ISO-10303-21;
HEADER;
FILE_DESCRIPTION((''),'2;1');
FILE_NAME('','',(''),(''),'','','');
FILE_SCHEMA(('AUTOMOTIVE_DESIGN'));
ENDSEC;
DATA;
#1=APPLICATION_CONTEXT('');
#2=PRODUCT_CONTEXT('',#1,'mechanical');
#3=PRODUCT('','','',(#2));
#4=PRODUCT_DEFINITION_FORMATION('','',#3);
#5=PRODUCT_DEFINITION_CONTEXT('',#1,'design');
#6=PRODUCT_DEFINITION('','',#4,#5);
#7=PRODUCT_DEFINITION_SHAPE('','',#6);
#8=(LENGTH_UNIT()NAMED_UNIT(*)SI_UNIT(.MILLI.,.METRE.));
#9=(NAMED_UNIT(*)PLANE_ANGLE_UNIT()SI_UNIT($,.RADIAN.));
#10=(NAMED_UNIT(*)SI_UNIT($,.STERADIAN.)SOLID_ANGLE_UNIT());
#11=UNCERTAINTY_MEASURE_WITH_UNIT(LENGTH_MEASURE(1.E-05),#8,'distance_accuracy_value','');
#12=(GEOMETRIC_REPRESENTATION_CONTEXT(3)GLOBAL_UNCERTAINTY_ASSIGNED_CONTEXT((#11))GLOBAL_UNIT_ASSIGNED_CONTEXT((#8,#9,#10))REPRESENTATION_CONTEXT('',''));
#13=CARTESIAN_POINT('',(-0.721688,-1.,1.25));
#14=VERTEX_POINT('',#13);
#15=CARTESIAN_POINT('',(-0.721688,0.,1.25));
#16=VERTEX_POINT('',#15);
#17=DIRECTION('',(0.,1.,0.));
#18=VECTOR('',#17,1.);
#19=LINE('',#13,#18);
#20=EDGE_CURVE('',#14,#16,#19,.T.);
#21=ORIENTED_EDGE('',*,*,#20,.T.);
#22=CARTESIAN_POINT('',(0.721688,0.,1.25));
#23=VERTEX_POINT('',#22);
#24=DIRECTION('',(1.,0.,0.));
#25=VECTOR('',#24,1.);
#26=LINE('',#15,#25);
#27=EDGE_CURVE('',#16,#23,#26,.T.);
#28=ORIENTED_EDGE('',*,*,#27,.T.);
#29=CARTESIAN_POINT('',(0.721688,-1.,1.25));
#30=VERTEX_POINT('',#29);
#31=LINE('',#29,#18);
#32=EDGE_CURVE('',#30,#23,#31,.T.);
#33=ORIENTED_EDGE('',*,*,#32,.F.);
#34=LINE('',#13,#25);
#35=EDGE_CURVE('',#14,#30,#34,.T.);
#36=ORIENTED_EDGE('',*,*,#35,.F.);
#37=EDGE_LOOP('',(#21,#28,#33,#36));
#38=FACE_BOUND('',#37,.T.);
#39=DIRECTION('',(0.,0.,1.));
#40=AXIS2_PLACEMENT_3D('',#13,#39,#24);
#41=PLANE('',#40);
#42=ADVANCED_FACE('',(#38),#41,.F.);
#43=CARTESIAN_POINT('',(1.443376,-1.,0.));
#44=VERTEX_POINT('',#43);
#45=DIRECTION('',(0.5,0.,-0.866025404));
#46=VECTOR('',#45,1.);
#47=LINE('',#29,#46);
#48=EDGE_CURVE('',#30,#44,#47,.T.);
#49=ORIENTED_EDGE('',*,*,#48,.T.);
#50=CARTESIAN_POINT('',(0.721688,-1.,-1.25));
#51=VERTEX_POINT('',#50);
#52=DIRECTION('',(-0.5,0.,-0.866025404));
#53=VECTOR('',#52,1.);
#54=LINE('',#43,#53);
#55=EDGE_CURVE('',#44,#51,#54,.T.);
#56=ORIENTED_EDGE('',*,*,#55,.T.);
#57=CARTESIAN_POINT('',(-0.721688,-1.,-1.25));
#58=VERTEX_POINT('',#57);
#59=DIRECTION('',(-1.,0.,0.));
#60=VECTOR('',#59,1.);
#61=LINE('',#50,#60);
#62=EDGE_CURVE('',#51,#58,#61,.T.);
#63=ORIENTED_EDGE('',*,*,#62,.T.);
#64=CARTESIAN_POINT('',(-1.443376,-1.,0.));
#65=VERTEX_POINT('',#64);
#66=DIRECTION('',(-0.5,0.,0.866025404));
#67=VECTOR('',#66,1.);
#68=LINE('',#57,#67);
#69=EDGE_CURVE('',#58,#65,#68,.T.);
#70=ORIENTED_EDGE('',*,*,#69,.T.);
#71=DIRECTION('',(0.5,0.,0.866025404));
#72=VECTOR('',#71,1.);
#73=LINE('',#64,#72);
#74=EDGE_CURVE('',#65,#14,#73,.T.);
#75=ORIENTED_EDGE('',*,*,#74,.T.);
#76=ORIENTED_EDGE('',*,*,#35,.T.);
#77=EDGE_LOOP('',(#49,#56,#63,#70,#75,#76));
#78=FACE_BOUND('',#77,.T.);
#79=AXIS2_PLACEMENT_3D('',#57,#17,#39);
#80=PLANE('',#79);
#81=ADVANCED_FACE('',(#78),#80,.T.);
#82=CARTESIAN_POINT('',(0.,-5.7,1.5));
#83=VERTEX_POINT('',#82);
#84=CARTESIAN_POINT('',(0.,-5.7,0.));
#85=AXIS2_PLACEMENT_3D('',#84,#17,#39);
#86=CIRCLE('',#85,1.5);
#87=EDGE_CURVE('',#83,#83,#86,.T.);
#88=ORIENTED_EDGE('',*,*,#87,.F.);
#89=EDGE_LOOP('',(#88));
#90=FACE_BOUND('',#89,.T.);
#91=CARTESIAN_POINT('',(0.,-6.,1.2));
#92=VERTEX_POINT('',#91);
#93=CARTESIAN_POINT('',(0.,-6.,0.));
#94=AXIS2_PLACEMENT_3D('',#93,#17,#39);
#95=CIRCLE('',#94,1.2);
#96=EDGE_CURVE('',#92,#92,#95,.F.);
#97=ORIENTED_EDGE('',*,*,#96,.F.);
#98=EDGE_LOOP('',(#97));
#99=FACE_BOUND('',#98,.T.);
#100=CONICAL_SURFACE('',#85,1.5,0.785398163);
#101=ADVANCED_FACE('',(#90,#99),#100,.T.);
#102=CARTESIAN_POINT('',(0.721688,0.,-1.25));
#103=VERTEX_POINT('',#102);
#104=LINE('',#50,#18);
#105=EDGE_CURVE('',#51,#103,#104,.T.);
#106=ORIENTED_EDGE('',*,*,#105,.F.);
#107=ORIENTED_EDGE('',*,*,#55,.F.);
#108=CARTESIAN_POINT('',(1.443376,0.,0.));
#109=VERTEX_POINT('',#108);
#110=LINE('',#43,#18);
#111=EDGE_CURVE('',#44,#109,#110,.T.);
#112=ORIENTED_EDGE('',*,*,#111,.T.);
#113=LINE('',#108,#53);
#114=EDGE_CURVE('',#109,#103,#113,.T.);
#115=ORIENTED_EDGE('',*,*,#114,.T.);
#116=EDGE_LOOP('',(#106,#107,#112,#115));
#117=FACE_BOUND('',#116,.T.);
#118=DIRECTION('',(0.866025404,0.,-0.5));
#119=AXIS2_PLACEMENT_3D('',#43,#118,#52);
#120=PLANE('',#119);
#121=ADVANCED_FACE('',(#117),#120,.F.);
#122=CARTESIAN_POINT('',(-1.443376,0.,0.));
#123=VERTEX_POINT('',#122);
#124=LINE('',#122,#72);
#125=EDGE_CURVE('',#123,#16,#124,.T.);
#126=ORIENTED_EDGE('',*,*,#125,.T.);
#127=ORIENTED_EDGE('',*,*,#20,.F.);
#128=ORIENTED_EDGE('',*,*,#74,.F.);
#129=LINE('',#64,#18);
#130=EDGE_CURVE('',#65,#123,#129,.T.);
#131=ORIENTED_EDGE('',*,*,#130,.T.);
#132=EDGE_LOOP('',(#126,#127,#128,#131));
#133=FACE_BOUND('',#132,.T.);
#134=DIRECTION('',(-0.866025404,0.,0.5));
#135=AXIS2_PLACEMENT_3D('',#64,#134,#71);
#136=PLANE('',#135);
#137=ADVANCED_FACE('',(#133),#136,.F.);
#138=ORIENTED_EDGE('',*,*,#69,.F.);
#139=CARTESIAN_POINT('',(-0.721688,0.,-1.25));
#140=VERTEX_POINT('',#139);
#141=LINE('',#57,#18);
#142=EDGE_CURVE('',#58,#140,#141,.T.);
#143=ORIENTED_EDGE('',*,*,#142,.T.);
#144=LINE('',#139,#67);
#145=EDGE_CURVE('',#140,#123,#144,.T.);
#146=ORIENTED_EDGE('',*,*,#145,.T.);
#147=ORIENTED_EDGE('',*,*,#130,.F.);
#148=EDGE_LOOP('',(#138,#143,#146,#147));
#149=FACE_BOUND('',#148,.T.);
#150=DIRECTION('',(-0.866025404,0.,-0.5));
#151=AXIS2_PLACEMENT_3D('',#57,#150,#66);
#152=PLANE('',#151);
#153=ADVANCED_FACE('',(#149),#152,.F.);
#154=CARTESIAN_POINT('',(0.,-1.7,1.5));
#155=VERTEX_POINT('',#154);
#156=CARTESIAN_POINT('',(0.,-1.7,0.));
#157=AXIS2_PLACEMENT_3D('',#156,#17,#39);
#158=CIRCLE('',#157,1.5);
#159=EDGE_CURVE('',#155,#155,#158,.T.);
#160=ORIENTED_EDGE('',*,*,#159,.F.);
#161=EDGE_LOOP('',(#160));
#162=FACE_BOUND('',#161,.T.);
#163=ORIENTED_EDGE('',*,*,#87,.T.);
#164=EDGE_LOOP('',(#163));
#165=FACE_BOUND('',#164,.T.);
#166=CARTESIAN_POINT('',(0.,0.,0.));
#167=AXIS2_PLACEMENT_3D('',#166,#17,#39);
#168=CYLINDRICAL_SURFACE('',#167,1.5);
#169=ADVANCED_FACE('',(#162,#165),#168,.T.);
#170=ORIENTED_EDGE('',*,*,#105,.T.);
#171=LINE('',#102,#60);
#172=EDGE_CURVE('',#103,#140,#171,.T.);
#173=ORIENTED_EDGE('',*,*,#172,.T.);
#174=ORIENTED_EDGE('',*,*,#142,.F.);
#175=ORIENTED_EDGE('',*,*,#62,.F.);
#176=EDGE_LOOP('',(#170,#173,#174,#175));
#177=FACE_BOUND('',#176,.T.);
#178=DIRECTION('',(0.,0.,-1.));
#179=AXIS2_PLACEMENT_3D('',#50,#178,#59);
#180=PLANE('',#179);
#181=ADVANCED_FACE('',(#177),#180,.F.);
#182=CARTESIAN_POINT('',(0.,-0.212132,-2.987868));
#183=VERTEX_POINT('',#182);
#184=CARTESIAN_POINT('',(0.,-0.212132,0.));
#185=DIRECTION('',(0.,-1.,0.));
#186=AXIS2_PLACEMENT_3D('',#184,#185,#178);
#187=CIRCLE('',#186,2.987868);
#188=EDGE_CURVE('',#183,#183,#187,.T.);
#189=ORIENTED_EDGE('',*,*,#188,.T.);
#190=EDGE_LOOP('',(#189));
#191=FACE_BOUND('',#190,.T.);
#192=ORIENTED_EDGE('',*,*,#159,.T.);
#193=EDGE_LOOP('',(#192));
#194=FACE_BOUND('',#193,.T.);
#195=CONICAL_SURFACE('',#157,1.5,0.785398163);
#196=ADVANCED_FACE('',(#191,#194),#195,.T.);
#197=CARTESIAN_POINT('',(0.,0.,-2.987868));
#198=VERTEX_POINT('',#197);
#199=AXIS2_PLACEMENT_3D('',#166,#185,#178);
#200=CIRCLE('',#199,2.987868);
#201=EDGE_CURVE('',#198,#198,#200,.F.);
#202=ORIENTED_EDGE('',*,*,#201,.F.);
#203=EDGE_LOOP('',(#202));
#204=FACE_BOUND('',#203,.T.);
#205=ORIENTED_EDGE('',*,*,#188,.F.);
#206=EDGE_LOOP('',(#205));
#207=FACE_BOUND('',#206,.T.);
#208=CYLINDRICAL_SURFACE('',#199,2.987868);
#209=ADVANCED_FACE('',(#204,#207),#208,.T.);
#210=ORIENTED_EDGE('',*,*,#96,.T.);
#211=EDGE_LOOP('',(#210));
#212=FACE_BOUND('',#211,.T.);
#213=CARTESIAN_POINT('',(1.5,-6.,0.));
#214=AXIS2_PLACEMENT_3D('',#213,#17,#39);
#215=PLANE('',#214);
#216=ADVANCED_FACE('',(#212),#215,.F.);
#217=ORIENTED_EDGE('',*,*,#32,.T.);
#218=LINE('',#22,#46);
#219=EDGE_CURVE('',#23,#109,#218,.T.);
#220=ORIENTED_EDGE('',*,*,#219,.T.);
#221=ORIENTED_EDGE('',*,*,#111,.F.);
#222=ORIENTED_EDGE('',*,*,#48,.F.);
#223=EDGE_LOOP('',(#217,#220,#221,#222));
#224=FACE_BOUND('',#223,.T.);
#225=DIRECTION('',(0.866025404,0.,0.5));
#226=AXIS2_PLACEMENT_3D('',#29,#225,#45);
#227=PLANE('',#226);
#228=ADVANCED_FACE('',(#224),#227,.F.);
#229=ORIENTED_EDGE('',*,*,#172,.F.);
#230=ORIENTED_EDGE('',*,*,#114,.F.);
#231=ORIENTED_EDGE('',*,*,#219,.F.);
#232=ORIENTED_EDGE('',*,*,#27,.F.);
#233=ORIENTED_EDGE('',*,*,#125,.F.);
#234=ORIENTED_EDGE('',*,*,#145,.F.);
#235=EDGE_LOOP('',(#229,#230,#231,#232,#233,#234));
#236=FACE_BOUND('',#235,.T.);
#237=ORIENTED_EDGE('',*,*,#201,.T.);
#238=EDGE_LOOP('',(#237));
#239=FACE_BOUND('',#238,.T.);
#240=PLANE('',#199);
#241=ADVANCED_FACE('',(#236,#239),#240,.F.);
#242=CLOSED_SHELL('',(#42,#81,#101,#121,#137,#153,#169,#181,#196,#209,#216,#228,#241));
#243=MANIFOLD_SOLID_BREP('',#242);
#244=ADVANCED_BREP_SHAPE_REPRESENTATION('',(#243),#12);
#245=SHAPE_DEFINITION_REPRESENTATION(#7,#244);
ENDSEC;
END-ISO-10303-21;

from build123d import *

# Parameters (mm, degrees)
CHAFL_N2_SIZE         = 0.3
CHAFL_N2_SIZE2        = 0.212132034
CHAFL_N3_SIZE         = 0.3
CORTAR_EXTRUIR2_DEPTH = 1


with BuildPart() as part:
    # Croquis1 → Revolución1 (revolve)
    with BuildSketch(Plane.XY, mode=Mode.PRIVATE) as revoluci_n1_sk:
        Polygon((0, 0), (3.2, 0), (1.5, -1.7), (1.5, -6), (0, -6), align=None)
    revolve(revoluci_n1_sk.sketch.rotate(Axis((0, 0, 0), (0, -1, 0)), 90), axis=Axis((0, 0, 0), (0, -1, 0)))

    # Chaflán2
    chafl_n2_edges = [part.edges().sort_by_distance(p)[0] for p in [
        (0, 0, -3.2),
    ]]
    chafl_n2_side = [part.faces().sort_by_distance(p)[0] for p in [
        (0, -0.85, -2.35),
    ]]
    chamfer(chafl_n2_edges, length=CHAFL_N2_SIZE, length2=CHAFL_N2_SIZE2, reference=chafl_n2_side[0])

    # Chaflán3
    chafl_n3_edges = [part.edges().sort_by_distance(p)[0] for p in [
        (0, -6, -1.5),
    ]]
    chamfer(chafl_n3_edges, length=CHAFL_N3_SIZE)

    # Croquis3 → Cortar-Extruir2 (cut)
    with BuildSketch(Plane(origin=(0, 0, 0), x_dir=(1, 0, 0), z_dir=(0, 1, 0))):
        Polygon((-0.721687836, 1.25), (-1.443375673, 0), (-0.721687836, -1.25), (0.721687836, -1.25), (1.443375673, 0), (0.721687836, 1.25), align=None)
    extrude(amount=-CORTAR_EXTRUIR2_DEPTH, mode=Mode.SUBTRACT)


solid = part.part
